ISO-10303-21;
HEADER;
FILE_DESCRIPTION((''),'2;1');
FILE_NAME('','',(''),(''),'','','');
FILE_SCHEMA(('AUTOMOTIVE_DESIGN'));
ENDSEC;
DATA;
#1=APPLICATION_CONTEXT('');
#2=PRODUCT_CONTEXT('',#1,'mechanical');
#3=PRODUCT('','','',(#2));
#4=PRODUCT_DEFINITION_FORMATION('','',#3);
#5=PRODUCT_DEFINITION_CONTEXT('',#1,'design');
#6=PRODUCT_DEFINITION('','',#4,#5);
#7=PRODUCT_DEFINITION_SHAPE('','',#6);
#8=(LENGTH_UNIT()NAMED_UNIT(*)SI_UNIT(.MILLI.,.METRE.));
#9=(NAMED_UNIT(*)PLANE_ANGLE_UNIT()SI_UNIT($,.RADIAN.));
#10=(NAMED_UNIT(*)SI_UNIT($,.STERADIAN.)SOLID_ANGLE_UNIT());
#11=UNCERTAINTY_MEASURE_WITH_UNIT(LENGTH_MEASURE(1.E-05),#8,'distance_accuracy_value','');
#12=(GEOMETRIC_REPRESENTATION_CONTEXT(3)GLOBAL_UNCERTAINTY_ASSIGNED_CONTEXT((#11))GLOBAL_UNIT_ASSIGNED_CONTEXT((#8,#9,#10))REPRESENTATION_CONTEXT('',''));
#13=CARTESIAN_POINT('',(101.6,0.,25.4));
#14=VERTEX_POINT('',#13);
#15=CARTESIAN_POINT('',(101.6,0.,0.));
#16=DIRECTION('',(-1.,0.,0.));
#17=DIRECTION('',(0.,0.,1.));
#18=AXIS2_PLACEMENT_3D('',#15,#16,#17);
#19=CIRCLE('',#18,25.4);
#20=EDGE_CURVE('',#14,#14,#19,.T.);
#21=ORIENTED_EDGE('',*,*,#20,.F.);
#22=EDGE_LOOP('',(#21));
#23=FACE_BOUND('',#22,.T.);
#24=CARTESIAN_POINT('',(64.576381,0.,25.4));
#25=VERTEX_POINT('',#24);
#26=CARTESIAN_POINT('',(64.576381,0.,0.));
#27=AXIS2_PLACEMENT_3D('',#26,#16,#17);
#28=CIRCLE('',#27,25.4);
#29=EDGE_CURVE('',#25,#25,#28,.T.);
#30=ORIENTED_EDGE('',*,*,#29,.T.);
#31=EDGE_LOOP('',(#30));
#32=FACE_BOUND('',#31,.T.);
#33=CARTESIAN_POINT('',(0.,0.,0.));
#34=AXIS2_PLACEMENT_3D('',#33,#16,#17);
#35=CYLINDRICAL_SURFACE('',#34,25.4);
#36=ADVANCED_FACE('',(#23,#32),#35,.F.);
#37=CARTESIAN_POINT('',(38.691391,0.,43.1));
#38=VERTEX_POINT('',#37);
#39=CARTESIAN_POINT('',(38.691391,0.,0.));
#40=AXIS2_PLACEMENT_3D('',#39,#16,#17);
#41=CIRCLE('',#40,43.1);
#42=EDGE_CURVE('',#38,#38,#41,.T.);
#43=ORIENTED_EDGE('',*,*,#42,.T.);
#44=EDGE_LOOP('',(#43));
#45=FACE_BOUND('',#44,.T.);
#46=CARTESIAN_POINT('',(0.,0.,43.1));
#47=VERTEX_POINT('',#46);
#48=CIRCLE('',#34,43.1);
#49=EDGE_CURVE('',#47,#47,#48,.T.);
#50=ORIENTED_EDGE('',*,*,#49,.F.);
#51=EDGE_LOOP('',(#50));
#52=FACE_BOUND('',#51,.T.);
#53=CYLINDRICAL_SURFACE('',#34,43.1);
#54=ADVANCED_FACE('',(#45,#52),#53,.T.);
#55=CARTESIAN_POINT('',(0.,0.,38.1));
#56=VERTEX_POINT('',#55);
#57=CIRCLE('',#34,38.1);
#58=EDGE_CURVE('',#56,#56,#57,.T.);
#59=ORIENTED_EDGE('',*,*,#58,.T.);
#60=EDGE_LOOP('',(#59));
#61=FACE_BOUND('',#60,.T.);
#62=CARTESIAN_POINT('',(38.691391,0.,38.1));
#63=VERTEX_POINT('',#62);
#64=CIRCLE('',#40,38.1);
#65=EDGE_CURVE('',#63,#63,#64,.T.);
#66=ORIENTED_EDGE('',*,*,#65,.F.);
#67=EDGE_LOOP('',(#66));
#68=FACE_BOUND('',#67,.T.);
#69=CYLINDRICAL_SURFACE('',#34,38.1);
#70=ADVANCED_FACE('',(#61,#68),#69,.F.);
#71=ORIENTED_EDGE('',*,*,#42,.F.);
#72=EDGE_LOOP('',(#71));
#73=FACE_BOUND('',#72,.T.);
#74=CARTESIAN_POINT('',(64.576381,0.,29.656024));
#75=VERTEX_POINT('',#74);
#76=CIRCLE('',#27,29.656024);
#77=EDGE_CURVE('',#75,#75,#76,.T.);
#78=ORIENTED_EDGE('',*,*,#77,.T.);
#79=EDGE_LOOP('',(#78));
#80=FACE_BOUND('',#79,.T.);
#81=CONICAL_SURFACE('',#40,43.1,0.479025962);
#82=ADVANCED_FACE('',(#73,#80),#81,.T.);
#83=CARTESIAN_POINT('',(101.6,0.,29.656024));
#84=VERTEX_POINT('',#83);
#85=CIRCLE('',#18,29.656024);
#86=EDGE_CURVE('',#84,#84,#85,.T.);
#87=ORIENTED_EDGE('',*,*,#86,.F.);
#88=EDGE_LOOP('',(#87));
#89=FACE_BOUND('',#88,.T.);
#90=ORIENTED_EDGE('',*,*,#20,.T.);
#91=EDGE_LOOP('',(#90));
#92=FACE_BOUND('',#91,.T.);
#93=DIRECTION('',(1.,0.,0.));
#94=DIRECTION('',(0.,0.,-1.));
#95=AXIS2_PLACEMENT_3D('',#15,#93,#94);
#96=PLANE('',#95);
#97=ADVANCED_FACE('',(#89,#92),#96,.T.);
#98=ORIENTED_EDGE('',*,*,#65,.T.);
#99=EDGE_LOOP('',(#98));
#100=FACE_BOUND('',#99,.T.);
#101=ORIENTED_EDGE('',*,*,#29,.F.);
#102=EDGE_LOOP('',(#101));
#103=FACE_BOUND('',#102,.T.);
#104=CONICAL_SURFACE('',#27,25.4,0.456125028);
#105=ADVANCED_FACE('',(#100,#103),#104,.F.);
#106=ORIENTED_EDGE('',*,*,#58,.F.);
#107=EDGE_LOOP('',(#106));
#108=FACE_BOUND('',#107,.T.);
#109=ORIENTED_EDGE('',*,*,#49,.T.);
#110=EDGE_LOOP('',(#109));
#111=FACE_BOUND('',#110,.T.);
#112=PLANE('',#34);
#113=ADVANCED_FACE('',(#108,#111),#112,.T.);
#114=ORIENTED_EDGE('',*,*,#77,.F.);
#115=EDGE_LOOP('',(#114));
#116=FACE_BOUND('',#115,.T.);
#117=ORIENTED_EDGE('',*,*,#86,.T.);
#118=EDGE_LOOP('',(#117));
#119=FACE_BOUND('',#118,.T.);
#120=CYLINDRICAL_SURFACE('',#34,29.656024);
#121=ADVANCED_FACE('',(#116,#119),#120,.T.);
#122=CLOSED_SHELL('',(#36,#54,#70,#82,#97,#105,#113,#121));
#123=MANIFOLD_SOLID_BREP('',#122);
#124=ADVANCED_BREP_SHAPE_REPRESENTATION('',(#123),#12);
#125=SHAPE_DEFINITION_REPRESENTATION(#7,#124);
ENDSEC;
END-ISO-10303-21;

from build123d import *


with BuildPart() as part:
    # Sketch1 → Revolve1 (revolve)
    with BuildSketch(Plane.XY):
        Polygon((0, 43.1), (0, 38.1), (4.431577029, 38.1), (38.691391356, 38.1), (64.576381155, 25.4), (101.6, 25.4), (101.6, 29.656023939), (64.576381155, 29.656023939), (38.691391356, 43.1), (4.431577029, 43.1), align=None)
    revolve(axis=Axis((0, 0, 0), (1, 0, 0)))


solid = part.part
